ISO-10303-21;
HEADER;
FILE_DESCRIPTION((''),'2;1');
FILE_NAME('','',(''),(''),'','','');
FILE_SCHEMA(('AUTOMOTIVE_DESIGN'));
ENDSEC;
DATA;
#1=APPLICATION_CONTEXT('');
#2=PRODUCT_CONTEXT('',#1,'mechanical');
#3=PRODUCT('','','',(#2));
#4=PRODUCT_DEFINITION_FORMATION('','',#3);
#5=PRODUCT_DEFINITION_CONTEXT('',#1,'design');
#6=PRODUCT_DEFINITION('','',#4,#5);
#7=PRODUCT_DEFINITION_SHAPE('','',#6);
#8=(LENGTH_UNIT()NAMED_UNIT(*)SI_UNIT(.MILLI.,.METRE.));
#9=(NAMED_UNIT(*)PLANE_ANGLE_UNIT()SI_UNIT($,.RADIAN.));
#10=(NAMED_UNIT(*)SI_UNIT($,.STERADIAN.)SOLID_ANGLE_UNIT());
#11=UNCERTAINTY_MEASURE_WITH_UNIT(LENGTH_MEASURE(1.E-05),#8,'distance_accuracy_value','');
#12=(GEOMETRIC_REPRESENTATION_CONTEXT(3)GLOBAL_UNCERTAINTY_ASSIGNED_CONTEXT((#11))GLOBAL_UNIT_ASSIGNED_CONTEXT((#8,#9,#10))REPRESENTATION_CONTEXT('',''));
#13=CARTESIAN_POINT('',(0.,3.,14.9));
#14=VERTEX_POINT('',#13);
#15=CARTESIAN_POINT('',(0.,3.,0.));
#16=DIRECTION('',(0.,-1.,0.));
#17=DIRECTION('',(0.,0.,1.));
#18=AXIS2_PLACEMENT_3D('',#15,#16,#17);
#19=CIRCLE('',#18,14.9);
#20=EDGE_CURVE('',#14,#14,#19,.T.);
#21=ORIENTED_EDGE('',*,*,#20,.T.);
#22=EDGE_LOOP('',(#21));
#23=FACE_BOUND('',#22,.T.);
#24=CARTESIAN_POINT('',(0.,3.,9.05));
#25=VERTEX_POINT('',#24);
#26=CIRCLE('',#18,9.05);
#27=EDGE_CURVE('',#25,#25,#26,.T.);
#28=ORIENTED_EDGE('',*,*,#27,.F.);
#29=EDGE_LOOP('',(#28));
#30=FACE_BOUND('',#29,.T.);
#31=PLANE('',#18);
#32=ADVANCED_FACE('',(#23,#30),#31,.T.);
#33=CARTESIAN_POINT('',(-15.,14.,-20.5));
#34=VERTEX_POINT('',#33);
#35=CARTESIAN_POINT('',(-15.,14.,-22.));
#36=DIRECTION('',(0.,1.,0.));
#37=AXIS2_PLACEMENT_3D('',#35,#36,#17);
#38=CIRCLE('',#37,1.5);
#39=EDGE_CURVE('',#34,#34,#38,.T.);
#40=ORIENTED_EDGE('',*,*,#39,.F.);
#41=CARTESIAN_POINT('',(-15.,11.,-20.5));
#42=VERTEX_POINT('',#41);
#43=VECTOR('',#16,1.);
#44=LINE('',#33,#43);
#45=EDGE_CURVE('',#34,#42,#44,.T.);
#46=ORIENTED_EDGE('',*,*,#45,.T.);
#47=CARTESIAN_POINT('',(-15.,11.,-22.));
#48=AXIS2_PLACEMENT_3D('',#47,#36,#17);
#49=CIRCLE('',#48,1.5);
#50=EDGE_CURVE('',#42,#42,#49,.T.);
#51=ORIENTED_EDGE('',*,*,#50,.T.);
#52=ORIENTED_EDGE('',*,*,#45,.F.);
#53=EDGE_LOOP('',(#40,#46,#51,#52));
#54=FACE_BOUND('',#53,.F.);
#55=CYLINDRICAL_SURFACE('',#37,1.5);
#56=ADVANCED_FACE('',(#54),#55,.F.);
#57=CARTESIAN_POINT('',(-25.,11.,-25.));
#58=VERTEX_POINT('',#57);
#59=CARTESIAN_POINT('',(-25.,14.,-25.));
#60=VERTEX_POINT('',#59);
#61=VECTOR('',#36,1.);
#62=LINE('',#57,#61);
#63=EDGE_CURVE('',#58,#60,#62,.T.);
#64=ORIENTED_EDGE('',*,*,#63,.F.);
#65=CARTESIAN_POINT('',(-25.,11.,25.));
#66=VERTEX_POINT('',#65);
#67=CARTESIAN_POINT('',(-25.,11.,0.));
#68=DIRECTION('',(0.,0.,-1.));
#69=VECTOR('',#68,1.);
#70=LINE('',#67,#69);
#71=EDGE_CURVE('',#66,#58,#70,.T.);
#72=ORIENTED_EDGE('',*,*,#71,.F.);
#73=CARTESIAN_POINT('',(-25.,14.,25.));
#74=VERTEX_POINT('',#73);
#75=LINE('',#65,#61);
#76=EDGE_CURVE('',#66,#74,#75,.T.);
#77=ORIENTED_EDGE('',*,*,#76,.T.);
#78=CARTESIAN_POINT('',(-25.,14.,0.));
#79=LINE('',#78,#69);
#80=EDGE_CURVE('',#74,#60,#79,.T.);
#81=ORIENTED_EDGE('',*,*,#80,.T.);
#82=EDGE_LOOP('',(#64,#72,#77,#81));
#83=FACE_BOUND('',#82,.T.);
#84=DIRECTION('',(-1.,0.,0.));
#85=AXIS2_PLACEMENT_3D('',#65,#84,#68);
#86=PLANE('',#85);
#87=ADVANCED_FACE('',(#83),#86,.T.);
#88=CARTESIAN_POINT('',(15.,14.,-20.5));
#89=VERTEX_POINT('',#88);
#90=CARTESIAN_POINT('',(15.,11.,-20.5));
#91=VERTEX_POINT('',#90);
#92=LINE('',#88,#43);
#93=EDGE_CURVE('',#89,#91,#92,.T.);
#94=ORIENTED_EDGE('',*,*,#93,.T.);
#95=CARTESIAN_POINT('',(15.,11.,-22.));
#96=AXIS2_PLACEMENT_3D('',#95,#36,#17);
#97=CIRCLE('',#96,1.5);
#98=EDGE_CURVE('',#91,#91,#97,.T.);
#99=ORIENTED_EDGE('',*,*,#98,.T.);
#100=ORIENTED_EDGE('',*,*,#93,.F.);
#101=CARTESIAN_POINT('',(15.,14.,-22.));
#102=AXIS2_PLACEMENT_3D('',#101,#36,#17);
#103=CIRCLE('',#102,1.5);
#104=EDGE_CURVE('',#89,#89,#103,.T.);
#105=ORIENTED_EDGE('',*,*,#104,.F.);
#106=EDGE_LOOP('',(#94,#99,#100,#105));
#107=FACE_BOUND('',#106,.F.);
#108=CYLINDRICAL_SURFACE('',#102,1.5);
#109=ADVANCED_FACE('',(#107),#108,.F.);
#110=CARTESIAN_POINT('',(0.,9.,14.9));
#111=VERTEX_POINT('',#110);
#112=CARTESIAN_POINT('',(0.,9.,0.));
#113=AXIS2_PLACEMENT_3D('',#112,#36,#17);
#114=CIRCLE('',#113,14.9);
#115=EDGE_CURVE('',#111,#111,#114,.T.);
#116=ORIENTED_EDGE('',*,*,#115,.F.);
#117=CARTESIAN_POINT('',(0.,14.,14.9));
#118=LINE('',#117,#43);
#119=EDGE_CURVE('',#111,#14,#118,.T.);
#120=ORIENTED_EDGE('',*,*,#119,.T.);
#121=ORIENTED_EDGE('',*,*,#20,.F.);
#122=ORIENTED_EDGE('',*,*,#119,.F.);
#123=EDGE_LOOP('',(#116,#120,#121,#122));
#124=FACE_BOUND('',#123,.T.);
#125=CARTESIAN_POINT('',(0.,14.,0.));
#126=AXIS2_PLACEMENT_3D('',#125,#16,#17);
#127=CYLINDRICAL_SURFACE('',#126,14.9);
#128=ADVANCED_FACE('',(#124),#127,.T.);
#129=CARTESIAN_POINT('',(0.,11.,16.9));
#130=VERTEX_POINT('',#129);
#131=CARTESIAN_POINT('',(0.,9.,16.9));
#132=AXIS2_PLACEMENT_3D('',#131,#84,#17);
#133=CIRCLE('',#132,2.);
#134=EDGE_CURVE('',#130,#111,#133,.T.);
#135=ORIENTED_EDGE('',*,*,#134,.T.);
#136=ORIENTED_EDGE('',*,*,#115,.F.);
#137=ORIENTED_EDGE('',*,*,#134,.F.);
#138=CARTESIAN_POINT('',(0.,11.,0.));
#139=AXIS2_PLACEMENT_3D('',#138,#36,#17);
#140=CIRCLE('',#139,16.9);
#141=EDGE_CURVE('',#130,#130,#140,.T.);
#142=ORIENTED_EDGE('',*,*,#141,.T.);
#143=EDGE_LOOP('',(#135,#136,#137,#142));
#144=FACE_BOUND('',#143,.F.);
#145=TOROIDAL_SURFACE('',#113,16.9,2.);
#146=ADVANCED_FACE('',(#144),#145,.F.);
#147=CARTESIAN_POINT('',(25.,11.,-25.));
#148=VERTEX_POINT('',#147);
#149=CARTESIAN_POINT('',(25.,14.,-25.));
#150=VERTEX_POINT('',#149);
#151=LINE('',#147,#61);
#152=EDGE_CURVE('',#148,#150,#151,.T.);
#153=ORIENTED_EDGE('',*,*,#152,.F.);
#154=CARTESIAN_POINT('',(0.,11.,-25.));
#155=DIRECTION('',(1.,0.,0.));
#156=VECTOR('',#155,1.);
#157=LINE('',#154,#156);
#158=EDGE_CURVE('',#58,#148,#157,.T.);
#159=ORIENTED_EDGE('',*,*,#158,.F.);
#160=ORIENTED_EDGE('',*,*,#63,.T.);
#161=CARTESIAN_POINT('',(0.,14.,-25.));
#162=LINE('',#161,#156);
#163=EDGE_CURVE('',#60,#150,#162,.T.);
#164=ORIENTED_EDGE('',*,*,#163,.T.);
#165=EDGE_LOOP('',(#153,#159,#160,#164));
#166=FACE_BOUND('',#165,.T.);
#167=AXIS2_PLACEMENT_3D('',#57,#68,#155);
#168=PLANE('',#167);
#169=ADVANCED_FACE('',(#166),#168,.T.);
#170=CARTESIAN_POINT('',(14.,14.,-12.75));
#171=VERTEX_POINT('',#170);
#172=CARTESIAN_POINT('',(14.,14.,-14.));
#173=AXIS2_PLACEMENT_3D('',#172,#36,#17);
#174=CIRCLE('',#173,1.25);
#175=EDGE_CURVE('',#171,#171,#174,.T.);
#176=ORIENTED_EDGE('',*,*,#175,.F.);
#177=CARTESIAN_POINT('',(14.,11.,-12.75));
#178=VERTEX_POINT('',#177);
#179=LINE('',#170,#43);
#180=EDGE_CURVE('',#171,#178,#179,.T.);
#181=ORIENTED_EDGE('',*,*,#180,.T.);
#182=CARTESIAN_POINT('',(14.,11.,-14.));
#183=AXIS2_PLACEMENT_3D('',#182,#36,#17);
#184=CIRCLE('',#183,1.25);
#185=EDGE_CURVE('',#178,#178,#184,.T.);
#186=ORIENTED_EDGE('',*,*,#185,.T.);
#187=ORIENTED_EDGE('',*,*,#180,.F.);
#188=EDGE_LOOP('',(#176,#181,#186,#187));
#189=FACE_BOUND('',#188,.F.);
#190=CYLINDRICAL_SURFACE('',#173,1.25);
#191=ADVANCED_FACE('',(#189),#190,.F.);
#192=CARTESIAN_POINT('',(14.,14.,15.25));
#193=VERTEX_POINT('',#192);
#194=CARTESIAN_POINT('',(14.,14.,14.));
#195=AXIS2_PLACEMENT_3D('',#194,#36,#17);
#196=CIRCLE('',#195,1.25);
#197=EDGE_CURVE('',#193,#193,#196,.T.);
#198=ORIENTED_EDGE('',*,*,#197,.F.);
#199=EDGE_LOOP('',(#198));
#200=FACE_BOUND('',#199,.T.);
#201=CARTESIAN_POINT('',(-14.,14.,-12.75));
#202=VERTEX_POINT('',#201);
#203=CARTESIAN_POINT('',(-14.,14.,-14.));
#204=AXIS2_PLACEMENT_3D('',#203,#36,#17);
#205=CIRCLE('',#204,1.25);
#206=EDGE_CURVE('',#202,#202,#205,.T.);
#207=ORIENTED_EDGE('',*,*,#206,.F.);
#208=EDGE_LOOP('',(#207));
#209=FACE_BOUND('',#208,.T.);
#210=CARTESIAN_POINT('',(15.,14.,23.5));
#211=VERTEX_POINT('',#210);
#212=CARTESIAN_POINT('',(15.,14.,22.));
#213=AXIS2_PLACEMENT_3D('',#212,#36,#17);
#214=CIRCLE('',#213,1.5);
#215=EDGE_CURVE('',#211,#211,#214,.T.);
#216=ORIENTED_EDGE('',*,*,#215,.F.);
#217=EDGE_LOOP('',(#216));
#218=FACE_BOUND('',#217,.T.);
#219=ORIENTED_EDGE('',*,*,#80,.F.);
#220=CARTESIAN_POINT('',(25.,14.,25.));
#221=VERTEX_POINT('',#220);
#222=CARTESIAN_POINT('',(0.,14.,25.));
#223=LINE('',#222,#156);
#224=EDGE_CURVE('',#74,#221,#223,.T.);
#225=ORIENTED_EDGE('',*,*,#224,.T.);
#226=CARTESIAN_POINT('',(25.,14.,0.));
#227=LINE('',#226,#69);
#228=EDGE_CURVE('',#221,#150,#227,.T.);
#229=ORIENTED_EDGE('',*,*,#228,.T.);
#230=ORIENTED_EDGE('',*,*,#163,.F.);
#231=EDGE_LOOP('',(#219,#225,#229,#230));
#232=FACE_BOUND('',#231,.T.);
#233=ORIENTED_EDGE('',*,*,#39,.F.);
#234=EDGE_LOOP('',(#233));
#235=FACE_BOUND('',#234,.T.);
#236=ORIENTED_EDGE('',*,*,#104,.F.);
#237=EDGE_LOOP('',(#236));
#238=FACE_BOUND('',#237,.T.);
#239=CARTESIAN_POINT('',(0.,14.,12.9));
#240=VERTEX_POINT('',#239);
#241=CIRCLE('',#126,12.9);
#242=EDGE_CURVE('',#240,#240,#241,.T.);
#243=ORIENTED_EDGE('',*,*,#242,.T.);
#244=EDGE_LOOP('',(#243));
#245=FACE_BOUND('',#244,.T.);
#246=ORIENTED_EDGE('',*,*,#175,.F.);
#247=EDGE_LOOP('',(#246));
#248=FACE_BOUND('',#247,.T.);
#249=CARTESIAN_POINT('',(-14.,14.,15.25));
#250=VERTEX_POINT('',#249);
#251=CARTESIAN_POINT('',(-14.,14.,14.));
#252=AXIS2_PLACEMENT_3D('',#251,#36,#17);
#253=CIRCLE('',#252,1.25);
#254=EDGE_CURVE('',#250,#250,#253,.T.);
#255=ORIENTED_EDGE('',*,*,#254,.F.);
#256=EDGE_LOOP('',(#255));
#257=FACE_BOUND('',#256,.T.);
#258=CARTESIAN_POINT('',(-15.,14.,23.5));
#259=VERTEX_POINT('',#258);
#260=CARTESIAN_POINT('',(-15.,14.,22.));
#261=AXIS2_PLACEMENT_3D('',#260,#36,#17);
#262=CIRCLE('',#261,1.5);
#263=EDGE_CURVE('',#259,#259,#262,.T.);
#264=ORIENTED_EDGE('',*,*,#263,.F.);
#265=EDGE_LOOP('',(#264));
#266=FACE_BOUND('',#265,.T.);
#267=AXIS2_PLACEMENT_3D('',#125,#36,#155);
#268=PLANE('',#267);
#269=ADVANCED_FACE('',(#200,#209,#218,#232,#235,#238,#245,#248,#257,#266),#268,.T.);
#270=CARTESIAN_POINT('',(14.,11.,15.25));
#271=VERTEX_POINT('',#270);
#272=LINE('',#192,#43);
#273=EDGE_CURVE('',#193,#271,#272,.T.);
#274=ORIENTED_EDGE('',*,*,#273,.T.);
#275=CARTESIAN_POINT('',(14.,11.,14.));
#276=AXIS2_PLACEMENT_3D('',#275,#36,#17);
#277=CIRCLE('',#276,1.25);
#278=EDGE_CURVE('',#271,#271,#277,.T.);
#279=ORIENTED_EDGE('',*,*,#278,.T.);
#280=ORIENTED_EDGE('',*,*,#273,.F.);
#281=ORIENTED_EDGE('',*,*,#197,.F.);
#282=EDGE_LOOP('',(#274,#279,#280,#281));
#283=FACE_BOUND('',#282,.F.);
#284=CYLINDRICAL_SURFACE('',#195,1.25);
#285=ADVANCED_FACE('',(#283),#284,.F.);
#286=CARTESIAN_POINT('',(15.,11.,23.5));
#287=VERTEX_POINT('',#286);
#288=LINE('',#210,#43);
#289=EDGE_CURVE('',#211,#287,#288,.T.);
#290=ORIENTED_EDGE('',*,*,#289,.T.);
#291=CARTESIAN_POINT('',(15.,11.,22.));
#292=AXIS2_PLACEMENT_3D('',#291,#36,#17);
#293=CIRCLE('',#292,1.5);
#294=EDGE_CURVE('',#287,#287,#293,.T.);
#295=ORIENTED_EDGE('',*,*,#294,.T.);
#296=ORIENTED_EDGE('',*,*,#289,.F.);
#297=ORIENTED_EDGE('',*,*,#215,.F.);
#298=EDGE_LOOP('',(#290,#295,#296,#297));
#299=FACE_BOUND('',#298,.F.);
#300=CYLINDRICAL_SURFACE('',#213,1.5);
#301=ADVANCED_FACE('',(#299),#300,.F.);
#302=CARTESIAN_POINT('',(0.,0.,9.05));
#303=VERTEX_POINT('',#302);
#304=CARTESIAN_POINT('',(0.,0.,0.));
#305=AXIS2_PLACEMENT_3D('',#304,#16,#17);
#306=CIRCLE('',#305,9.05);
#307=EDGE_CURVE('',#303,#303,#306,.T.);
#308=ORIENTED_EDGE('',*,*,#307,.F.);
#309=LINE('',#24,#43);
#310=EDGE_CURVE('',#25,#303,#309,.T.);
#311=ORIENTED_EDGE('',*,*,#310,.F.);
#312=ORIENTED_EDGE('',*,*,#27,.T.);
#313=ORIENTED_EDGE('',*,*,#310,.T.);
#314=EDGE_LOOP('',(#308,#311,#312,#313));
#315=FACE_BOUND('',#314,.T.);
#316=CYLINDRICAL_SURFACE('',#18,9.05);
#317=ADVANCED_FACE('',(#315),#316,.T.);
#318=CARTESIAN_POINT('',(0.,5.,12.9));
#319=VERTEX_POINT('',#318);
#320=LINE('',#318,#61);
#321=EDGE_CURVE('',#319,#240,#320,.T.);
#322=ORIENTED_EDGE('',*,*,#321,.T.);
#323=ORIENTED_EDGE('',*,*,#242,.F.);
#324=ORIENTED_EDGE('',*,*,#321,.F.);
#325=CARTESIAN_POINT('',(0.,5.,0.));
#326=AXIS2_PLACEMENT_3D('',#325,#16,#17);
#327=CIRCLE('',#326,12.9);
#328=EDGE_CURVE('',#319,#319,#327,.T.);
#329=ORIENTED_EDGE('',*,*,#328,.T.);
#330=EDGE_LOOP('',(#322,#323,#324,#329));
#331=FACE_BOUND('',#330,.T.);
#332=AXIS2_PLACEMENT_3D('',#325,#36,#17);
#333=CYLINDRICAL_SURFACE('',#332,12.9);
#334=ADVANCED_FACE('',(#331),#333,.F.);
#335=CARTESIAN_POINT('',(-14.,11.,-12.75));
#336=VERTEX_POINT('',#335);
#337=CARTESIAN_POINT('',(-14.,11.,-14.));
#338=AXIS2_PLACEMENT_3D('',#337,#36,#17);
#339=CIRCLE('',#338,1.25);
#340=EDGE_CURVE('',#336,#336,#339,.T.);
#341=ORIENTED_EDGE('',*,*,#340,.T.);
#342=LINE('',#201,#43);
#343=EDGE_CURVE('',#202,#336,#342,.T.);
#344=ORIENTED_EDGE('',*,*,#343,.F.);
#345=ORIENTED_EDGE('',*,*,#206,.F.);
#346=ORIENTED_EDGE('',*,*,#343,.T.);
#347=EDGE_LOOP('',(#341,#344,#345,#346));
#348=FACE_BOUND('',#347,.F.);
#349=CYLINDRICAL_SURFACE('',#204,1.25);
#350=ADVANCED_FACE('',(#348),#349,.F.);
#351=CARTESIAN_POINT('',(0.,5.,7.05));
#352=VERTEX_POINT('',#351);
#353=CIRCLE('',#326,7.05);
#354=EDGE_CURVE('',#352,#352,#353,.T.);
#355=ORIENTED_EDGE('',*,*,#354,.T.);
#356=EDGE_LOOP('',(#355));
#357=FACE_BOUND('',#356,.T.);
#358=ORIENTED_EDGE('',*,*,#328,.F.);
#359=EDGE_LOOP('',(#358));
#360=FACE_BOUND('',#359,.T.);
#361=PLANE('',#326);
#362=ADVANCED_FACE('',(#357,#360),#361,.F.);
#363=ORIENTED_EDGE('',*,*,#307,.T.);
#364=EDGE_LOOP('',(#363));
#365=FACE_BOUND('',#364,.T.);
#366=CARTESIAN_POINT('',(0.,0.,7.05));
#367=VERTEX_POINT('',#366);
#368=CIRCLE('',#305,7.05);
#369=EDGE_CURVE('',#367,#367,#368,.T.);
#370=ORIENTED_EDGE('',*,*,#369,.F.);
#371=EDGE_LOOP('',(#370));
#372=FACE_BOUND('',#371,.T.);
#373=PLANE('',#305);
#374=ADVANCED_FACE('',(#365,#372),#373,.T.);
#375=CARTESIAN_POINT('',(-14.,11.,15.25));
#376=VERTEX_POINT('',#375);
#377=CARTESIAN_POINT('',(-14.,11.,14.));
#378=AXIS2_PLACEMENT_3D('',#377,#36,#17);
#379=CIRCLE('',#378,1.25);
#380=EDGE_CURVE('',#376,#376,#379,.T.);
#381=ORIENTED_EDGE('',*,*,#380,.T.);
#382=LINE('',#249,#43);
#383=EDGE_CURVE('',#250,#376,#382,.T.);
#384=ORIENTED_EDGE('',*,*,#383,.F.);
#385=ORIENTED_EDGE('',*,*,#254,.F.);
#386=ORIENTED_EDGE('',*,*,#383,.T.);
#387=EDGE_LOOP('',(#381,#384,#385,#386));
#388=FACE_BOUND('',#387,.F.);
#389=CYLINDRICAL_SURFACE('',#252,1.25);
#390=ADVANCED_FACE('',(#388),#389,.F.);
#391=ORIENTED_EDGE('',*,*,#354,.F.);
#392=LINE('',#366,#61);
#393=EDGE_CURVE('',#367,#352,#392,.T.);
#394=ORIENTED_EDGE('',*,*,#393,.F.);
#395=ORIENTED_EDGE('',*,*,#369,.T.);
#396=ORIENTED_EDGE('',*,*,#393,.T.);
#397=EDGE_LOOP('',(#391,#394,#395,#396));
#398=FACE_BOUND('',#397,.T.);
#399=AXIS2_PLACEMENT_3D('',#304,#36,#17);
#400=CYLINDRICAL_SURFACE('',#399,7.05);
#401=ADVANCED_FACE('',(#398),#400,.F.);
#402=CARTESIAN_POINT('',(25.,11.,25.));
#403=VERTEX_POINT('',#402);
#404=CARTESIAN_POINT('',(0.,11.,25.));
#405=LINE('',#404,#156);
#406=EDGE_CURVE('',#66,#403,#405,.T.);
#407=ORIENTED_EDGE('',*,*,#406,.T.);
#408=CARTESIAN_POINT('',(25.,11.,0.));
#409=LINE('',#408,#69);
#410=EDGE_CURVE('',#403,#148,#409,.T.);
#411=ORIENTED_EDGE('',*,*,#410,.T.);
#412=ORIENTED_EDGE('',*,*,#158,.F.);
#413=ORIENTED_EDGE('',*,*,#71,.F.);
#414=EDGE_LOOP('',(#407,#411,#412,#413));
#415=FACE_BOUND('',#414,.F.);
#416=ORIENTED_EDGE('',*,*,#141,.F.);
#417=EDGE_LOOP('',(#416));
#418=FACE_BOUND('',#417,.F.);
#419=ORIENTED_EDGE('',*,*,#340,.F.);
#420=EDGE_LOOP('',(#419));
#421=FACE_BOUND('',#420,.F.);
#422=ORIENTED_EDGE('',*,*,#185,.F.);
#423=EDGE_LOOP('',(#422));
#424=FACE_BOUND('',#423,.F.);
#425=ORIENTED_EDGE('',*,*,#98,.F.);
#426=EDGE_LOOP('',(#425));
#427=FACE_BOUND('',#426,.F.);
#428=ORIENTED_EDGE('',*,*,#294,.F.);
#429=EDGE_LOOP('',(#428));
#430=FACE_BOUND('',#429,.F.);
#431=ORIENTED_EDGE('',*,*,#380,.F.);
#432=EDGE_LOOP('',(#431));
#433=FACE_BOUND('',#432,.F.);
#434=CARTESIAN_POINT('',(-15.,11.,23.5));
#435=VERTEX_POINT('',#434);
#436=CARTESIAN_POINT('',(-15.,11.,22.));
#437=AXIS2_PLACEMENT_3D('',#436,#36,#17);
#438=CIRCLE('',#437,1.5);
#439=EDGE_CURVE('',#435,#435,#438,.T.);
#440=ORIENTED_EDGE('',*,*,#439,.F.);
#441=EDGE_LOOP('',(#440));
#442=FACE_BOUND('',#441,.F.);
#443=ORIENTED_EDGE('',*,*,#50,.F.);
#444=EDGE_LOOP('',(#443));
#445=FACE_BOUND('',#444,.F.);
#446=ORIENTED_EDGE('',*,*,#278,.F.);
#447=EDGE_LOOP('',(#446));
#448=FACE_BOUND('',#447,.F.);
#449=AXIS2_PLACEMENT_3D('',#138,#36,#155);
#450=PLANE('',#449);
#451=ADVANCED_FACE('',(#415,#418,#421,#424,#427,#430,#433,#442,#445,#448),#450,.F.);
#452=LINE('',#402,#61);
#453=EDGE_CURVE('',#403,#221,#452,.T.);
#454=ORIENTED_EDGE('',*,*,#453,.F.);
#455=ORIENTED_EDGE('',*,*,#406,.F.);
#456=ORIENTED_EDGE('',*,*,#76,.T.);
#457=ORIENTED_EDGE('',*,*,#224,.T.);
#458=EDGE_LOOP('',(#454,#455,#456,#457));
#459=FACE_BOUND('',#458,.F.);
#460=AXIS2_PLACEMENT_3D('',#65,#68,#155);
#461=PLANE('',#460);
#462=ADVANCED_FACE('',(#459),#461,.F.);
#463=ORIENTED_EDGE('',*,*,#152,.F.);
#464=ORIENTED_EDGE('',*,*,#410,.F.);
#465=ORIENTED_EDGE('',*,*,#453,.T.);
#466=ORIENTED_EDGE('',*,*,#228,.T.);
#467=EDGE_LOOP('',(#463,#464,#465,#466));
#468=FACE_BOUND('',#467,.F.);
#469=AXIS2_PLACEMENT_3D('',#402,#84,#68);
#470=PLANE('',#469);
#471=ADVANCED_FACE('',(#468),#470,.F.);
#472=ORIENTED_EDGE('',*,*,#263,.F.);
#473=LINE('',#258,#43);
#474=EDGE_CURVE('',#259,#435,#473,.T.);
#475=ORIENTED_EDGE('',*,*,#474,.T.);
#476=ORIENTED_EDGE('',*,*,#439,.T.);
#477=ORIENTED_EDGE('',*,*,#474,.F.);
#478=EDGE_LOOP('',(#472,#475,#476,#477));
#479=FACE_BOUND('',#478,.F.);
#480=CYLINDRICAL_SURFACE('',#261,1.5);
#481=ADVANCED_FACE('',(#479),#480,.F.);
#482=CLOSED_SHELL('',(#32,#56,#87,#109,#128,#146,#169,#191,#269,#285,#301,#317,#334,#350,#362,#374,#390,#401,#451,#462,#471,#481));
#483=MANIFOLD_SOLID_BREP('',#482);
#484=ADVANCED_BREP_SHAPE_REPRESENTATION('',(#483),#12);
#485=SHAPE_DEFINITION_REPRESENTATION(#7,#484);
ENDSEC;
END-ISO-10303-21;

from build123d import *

# Parameters (mm, degrees)
BOSS_EXTRUDE1_START = -3
SKETCH3_W           = 50
SKETCH3_H           = 50
SKETCH3_R           = 14.9
BOSS_EXTRUDE1_DEPTH = 3
SKETCH4_R           = 1.25
SKETCH4_R_2         = 1.5
CUT_EXTRUDE1_DEPTH  = 39.026306684
FILLET1_R           = 2


with BuildPart() as part:
    # Sketch2 → Revolve-Thin1 (revolve)
    with BuildSketch(Plane.XY, mode=Mode.PRIVATE) as revolve_thin1_sk:
        Polygon((7.05, 0), (7.05, 5), (12.9, 5), (12.9, 14), (14.9, 14), (14.9, 3), (9.05, 3), (9.05, 0), align=None)
    revolve(revolve_thin1_sk.sketch.rotate(Axis((0, 56.528570812, 0), (0, -1, 0)), 90), axis=Axis((0, 56.528570812, 0), (0, -1, 0)))

    # Sketch3 → Boss-Extrude1 (add)
    with BuildSketch(Plane(origin=(0, 14, 0), x_dir=(1, 0, 0), z_dir=(0, 1, 0)).offset(BOSS_EXTRUDE1_START)):
        Rectangle(SKETCH3_W, SKETCH3_H)
        with Locations(Location((0, 0, 0), (0, 0, 270))):
            Circle(SKETCH3_R, mode=Mode.SUBTRACT)
    extrude(amount=BOSS_EXTRUDE1_DEPTH)

    # Sketch4 → Cut-Extrude1 (cut, through all)
    with BuildSketch(Plane(origin=(0, 14, 0), x_dir=(1, 0, 0), z_dir=(0, 1, 0))):
        with Locations(Location((14, 14, 0), (0, 0, 270))):
            Circle(SKETCH4_R)
        with Locations(Location((-14, 14, 0), (0, 0, 270))):
            Circle(SKETCH4_R)
        with Locations(Location((-14, -14, 0), (0, 0, 270))):
            Circle(SKETCH4_R)
        with Locations(Location((14, -14, 0), (0, 0, 270))):
            Circle(SKETCH4_R)
        with Locations(Location((-15, 22, 0), (0, 0, 270))):
            Circle(SKETCH4_R_2)
        with Locations(Location((15, 22, 0), (0, 0, 270))):
            Circle(SKETCH4_R_2)
        with Locations(Location((15, -22, 0), (0, 0, 270))):
            Circle(SKETCH4_R_2)
        with Locations(Location((-15, -22, 0), (0, 0, 270))):
            Circle(SKETCH4_R_2)
    extrude(amount=-CUT_EXTRUDE1_DEPTH, mode=Mode.SUBTRACT)

    # Fillet1
    fillet1_edges = [part.edges().sort_by_distance(p)[0] for p in [
        (0, 11, -14.9),
    ]]
    fillet(fillet1_edges, radius=FILLET1_R)


solid = part.part
